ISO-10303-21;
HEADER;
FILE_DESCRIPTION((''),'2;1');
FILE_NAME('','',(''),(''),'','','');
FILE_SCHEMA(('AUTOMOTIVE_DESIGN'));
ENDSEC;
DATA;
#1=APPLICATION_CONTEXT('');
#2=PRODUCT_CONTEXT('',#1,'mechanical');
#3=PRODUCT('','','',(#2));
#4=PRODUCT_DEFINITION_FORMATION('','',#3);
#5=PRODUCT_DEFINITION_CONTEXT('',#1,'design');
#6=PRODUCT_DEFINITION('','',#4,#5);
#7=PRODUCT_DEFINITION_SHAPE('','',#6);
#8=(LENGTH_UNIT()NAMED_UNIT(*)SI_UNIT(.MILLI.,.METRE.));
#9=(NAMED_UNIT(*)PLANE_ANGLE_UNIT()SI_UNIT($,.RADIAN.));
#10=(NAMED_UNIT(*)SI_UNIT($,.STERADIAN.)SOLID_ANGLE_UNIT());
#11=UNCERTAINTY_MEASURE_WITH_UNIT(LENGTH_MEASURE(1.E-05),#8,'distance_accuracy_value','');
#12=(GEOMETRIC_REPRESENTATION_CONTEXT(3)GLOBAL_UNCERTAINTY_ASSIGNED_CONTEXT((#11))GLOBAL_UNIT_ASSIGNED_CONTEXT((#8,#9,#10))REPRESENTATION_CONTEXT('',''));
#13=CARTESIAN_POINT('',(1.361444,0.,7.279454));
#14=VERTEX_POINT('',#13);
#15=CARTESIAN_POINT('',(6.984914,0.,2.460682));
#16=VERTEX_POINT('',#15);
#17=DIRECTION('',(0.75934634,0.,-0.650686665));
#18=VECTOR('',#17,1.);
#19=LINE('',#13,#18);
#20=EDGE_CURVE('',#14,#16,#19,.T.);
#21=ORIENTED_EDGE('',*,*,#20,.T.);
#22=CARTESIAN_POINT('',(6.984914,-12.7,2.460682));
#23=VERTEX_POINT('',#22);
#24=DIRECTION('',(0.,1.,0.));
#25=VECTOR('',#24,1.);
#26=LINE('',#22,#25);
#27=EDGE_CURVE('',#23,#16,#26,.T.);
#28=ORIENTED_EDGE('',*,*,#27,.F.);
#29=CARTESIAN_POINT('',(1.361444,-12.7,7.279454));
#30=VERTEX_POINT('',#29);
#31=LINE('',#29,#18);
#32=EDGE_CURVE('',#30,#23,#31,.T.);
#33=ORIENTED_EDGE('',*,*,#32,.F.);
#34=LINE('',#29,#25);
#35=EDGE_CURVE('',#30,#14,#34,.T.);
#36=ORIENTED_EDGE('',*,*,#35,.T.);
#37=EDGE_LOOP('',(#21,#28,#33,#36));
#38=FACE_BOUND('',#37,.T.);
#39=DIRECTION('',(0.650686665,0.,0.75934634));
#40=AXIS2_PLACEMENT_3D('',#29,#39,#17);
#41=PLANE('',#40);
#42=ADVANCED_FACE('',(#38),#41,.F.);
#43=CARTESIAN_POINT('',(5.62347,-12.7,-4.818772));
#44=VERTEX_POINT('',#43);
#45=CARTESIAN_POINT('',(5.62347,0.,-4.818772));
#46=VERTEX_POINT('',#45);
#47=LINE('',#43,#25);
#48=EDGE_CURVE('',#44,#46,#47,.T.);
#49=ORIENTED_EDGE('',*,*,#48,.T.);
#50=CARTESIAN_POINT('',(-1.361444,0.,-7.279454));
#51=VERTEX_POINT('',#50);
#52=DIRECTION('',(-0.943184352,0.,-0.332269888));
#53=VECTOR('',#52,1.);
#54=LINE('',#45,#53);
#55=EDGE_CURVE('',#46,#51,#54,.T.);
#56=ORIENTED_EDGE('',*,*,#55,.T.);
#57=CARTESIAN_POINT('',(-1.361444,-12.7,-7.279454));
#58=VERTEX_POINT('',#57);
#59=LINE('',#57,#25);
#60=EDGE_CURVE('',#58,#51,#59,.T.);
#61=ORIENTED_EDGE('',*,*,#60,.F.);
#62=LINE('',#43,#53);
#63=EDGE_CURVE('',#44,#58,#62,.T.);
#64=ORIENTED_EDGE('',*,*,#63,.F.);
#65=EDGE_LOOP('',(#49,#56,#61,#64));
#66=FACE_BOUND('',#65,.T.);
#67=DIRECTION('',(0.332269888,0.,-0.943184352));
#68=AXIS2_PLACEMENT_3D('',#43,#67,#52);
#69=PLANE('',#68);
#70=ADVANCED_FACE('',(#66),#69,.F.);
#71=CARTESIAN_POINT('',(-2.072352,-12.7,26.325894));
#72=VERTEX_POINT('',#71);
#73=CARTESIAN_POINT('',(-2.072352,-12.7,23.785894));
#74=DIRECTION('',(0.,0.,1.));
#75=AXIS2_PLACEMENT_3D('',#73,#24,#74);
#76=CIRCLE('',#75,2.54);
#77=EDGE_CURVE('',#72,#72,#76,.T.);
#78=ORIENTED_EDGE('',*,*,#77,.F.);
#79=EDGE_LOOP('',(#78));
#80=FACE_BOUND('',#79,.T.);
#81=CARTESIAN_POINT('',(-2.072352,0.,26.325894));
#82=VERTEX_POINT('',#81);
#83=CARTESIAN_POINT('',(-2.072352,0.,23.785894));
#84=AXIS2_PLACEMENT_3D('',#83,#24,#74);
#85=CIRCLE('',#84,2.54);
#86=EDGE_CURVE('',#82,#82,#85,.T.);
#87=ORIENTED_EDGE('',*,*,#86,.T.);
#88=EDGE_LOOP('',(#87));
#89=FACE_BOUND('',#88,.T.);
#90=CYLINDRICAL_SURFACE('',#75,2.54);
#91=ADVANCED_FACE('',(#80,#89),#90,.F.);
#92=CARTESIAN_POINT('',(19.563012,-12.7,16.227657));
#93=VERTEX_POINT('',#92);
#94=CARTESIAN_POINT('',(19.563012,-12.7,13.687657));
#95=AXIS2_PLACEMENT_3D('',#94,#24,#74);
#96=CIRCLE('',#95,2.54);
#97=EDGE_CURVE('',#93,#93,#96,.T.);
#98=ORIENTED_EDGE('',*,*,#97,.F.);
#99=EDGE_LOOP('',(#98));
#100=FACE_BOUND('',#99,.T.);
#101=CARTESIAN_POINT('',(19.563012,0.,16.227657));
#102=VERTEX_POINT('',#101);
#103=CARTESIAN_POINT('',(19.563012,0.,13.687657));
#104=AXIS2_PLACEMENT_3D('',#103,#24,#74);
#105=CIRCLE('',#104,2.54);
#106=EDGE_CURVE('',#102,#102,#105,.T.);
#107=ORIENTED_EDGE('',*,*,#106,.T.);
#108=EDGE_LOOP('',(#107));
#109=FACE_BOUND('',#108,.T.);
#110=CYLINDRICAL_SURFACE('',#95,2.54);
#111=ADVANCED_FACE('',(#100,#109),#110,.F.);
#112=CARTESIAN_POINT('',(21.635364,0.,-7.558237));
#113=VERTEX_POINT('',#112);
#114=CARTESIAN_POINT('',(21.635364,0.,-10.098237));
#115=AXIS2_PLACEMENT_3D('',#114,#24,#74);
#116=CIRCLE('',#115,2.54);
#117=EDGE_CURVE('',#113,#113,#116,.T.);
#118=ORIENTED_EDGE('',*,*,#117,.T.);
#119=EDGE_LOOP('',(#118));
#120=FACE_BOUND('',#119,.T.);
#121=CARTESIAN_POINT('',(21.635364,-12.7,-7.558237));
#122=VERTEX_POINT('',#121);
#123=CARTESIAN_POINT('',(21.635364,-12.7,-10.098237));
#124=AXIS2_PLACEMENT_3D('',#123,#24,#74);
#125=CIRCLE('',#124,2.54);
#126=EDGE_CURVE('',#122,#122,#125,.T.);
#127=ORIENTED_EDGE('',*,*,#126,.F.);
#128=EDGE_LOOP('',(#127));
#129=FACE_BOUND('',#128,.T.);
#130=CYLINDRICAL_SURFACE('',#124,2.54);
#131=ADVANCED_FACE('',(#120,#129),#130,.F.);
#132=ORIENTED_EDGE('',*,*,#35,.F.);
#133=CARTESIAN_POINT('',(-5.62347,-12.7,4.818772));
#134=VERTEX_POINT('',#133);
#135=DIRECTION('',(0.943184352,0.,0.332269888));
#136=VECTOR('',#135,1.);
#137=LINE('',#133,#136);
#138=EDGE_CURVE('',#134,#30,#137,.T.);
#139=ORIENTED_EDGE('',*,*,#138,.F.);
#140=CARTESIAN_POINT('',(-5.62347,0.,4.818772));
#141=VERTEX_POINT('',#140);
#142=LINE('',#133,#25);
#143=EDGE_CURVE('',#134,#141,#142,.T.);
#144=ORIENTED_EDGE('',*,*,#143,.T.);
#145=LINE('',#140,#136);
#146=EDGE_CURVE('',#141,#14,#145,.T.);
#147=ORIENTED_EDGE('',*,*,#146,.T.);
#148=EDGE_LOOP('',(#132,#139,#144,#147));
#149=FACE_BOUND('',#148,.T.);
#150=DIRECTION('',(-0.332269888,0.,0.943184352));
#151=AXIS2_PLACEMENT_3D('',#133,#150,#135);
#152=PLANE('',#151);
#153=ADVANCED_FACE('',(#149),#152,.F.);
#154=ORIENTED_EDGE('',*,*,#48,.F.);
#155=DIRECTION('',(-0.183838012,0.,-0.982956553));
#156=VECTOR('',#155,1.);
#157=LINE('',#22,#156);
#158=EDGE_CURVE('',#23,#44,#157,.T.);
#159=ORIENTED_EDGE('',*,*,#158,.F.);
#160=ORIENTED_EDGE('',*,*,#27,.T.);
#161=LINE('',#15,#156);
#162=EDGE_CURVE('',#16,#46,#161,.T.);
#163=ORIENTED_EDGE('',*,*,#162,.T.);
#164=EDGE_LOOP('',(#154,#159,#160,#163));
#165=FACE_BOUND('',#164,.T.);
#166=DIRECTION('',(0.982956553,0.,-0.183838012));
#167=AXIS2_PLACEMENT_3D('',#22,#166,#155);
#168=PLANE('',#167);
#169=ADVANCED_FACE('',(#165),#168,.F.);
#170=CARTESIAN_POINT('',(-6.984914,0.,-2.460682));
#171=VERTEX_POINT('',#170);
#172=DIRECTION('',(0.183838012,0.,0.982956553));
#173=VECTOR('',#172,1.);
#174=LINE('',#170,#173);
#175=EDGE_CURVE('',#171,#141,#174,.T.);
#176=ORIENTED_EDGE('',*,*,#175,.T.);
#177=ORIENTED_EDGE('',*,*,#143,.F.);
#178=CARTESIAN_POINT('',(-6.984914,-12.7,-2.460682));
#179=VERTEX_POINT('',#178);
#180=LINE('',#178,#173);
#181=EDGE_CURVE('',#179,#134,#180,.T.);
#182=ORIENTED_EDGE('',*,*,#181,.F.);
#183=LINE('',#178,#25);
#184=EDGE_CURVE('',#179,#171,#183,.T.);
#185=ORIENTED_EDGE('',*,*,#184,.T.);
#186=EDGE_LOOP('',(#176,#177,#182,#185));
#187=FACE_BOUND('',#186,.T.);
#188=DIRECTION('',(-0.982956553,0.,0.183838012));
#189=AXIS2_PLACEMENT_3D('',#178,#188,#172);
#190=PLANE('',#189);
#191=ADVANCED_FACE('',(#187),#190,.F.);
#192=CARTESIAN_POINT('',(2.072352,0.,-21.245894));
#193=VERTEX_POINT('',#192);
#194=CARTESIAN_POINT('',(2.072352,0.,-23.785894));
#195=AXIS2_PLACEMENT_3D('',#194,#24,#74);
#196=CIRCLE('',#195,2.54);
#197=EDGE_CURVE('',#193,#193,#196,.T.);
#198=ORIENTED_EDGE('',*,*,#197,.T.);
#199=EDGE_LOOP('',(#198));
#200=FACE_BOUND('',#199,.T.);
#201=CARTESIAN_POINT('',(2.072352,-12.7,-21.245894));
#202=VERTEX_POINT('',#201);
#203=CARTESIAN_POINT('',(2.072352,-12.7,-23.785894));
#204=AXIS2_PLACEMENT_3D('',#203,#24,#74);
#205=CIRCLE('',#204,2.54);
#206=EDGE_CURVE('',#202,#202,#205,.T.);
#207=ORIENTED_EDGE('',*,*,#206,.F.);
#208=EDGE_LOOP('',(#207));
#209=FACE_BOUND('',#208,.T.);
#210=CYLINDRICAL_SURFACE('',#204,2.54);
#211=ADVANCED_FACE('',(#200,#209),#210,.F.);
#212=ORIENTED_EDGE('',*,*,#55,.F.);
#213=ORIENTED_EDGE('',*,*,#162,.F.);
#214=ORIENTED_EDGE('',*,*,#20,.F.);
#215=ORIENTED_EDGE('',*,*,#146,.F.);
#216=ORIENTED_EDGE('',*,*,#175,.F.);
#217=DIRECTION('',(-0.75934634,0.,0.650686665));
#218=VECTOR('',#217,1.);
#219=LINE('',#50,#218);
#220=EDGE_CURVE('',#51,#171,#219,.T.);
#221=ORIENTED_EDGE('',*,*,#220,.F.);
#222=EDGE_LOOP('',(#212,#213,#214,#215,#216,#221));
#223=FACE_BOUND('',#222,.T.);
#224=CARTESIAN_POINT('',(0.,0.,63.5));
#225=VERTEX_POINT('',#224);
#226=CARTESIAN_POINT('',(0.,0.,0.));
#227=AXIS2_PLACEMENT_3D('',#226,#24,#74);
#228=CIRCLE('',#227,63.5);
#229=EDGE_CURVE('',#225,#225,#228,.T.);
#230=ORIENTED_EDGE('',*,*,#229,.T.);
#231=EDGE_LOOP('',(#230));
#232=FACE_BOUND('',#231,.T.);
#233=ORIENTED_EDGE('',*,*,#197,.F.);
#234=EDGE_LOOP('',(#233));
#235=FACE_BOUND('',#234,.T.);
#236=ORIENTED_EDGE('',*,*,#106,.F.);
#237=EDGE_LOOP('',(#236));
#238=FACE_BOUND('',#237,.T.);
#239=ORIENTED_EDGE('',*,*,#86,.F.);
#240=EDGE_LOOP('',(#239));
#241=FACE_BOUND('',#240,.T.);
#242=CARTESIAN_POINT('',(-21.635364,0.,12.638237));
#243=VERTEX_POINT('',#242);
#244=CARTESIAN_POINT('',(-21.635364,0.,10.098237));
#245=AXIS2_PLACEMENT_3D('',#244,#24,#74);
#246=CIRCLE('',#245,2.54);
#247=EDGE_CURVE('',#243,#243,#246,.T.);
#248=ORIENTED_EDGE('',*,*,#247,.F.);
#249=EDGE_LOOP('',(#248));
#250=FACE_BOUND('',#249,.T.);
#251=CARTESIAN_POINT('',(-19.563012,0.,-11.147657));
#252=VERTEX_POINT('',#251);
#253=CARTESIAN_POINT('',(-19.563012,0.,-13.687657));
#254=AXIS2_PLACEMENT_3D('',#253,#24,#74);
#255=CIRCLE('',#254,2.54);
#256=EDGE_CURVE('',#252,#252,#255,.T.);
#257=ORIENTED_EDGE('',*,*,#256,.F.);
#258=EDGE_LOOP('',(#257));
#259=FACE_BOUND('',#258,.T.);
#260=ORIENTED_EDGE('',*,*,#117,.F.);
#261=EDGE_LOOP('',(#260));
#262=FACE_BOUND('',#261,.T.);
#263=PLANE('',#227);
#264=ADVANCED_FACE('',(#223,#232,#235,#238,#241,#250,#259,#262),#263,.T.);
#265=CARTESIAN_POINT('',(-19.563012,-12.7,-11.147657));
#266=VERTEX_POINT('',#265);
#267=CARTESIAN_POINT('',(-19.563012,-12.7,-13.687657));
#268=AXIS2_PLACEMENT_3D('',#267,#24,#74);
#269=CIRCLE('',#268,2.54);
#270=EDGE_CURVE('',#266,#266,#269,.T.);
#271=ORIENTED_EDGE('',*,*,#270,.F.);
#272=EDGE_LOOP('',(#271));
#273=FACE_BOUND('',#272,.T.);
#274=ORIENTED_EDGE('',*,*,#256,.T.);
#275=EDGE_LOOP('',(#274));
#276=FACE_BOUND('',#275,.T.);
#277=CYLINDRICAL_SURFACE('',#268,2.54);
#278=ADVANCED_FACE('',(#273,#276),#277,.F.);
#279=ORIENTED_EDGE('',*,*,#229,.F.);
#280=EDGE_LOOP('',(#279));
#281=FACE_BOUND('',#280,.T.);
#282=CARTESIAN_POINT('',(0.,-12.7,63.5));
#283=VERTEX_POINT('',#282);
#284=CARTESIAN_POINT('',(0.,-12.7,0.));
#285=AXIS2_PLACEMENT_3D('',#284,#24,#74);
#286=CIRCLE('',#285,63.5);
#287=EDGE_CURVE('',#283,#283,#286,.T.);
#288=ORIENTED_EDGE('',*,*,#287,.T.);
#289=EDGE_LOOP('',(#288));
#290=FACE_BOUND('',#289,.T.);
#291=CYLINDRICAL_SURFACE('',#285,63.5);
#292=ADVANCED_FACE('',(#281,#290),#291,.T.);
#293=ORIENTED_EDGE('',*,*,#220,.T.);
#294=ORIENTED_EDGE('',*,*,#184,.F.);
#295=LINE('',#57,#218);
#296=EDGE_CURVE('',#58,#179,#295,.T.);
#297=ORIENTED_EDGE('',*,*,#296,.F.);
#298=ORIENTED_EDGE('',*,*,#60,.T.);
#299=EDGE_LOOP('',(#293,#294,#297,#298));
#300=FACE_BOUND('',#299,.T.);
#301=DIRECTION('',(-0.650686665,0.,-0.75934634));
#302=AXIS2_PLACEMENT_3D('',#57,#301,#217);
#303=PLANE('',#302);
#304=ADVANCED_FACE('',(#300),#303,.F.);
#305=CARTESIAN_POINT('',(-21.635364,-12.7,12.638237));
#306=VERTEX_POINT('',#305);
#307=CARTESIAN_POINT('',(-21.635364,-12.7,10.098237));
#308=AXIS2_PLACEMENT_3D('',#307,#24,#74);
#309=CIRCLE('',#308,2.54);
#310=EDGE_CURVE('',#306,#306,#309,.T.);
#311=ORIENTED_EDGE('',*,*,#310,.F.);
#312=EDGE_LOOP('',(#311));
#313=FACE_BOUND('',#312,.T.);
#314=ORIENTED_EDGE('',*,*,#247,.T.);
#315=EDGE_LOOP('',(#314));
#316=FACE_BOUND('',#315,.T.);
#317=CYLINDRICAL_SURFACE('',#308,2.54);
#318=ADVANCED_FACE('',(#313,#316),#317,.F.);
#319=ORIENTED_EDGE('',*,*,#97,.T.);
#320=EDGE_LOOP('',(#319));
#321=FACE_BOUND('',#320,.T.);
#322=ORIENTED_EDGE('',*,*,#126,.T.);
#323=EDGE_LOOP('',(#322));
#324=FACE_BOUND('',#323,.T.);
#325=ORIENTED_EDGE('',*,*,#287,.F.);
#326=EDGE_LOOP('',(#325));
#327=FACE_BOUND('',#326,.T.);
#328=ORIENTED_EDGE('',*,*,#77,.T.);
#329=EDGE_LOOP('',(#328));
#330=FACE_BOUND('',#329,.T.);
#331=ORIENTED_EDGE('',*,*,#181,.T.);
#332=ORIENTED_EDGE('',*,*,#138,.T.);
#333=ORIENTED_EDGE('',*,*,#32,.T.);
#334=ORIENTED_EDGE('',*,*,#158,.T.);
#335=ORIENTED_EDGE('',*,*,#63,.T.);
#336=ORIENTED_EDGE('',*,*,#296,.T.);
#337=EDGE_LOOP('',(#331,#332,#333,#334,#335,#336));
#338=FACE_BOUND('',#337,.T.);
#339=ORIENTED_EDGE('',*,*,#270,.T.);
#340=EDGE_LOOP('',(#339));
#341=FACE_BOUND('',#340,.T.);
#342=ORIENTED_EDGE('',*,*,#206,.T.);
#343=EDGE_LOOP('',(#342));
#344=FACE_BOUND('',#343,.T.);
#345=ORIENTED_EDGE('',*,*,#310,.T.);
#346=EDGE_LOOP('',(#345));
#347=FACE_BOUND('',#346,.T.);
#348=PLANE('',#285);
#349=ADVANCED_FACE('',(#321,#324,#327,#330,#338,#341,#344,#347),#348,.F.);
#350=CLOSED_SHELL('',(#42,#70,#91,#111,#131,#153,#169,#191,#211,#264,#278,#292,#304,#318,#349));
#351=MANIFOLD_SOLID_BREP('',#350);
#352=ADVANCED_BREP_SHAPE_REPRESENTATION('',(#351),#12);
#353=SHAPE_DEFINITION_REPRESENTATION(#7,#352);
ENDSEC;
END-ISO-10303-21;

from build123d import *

# Parameters (mm, degrees)
SKETCH1_R           = 63.5
BOSS_EXTRUDE1_DEPTH = 12.7
SKETCH7_R           = 2.54
CUT_EXTRUDE2_DEPTH  = 91.696141042
CUT_EXTRUDE3_DEPTH  = 91.696141042


with BuildPart() as part:
    # Sketch1 → Boss-Extrude1 (new body)
    with BuildSketch(Plane(origin=(0, 0, 0), x_dir=(1, 0, 0), z_dir=(0, 1, 0))):
        with Locations(Location((0, 0, 0), (0, 0, 270))):
            Circle(SKETCH1_R)
    extrude(amount=-BOSS_EXTRUDE1_DEPTH)

    # Sketch7 → Cut-Extrude2 (cut, through all)
    with BuildSketch(Plane(origin=(0, 0, 0), x_dir=(1, 0, 0), z_dir=(0, 1, 0))):
        with Locations(Location((19.563011922, -13.687656502, 0), (0, 0, 270))):
            Circle(SKETCH7_R)
        with Locations(Location((21.635364211, 10.098237048, 0), (0, 0, 270))):
            Circle(SKETCH7_R)
        with Locations(Location((2.072352288, 23.78589355, 0), (0, 0, 270))):
            Circle(SKETCH7_R)
        with Locations(Location((-19.563011922, 13.687656502, 0), (0, 0, 270))):
            Circle(SKETCH7_R)
        with Locations(Location((-21.635364211, -10.098237048, 0), (0, 0, 270))):
            Circle(SKETCH7_R)
        with Locations(Location((-2.072352288, -23.78589355, 0), (0, 0, 270))):
            Circle(SKETCH7_R)
    extrude(amount=-CUT_EXTRUDE2_DEPTH, mode=Mode.SUBTRACT)

    # Sketch8 → Cut-Extrude3 (cut, through all)
    with BuildSketch(Plane(origin=(0, 0, 0), x_dir=(1, 0, 0), z_dir=(0, 1, 0))):
        Polygon((-5.623469851, -4.818771956), (1.361444003, -7.279453727), (6.984913855, -2.46068177), (5.623469851, 4.818771956), (-1.361444003, 7.279453727), (-6.984913855, 2.46068177), align=None)
    extrude(amount=-CUT_EXTRUDE3_DEPTH, mode=Mode.SUBTRACT)


solid = part.part
